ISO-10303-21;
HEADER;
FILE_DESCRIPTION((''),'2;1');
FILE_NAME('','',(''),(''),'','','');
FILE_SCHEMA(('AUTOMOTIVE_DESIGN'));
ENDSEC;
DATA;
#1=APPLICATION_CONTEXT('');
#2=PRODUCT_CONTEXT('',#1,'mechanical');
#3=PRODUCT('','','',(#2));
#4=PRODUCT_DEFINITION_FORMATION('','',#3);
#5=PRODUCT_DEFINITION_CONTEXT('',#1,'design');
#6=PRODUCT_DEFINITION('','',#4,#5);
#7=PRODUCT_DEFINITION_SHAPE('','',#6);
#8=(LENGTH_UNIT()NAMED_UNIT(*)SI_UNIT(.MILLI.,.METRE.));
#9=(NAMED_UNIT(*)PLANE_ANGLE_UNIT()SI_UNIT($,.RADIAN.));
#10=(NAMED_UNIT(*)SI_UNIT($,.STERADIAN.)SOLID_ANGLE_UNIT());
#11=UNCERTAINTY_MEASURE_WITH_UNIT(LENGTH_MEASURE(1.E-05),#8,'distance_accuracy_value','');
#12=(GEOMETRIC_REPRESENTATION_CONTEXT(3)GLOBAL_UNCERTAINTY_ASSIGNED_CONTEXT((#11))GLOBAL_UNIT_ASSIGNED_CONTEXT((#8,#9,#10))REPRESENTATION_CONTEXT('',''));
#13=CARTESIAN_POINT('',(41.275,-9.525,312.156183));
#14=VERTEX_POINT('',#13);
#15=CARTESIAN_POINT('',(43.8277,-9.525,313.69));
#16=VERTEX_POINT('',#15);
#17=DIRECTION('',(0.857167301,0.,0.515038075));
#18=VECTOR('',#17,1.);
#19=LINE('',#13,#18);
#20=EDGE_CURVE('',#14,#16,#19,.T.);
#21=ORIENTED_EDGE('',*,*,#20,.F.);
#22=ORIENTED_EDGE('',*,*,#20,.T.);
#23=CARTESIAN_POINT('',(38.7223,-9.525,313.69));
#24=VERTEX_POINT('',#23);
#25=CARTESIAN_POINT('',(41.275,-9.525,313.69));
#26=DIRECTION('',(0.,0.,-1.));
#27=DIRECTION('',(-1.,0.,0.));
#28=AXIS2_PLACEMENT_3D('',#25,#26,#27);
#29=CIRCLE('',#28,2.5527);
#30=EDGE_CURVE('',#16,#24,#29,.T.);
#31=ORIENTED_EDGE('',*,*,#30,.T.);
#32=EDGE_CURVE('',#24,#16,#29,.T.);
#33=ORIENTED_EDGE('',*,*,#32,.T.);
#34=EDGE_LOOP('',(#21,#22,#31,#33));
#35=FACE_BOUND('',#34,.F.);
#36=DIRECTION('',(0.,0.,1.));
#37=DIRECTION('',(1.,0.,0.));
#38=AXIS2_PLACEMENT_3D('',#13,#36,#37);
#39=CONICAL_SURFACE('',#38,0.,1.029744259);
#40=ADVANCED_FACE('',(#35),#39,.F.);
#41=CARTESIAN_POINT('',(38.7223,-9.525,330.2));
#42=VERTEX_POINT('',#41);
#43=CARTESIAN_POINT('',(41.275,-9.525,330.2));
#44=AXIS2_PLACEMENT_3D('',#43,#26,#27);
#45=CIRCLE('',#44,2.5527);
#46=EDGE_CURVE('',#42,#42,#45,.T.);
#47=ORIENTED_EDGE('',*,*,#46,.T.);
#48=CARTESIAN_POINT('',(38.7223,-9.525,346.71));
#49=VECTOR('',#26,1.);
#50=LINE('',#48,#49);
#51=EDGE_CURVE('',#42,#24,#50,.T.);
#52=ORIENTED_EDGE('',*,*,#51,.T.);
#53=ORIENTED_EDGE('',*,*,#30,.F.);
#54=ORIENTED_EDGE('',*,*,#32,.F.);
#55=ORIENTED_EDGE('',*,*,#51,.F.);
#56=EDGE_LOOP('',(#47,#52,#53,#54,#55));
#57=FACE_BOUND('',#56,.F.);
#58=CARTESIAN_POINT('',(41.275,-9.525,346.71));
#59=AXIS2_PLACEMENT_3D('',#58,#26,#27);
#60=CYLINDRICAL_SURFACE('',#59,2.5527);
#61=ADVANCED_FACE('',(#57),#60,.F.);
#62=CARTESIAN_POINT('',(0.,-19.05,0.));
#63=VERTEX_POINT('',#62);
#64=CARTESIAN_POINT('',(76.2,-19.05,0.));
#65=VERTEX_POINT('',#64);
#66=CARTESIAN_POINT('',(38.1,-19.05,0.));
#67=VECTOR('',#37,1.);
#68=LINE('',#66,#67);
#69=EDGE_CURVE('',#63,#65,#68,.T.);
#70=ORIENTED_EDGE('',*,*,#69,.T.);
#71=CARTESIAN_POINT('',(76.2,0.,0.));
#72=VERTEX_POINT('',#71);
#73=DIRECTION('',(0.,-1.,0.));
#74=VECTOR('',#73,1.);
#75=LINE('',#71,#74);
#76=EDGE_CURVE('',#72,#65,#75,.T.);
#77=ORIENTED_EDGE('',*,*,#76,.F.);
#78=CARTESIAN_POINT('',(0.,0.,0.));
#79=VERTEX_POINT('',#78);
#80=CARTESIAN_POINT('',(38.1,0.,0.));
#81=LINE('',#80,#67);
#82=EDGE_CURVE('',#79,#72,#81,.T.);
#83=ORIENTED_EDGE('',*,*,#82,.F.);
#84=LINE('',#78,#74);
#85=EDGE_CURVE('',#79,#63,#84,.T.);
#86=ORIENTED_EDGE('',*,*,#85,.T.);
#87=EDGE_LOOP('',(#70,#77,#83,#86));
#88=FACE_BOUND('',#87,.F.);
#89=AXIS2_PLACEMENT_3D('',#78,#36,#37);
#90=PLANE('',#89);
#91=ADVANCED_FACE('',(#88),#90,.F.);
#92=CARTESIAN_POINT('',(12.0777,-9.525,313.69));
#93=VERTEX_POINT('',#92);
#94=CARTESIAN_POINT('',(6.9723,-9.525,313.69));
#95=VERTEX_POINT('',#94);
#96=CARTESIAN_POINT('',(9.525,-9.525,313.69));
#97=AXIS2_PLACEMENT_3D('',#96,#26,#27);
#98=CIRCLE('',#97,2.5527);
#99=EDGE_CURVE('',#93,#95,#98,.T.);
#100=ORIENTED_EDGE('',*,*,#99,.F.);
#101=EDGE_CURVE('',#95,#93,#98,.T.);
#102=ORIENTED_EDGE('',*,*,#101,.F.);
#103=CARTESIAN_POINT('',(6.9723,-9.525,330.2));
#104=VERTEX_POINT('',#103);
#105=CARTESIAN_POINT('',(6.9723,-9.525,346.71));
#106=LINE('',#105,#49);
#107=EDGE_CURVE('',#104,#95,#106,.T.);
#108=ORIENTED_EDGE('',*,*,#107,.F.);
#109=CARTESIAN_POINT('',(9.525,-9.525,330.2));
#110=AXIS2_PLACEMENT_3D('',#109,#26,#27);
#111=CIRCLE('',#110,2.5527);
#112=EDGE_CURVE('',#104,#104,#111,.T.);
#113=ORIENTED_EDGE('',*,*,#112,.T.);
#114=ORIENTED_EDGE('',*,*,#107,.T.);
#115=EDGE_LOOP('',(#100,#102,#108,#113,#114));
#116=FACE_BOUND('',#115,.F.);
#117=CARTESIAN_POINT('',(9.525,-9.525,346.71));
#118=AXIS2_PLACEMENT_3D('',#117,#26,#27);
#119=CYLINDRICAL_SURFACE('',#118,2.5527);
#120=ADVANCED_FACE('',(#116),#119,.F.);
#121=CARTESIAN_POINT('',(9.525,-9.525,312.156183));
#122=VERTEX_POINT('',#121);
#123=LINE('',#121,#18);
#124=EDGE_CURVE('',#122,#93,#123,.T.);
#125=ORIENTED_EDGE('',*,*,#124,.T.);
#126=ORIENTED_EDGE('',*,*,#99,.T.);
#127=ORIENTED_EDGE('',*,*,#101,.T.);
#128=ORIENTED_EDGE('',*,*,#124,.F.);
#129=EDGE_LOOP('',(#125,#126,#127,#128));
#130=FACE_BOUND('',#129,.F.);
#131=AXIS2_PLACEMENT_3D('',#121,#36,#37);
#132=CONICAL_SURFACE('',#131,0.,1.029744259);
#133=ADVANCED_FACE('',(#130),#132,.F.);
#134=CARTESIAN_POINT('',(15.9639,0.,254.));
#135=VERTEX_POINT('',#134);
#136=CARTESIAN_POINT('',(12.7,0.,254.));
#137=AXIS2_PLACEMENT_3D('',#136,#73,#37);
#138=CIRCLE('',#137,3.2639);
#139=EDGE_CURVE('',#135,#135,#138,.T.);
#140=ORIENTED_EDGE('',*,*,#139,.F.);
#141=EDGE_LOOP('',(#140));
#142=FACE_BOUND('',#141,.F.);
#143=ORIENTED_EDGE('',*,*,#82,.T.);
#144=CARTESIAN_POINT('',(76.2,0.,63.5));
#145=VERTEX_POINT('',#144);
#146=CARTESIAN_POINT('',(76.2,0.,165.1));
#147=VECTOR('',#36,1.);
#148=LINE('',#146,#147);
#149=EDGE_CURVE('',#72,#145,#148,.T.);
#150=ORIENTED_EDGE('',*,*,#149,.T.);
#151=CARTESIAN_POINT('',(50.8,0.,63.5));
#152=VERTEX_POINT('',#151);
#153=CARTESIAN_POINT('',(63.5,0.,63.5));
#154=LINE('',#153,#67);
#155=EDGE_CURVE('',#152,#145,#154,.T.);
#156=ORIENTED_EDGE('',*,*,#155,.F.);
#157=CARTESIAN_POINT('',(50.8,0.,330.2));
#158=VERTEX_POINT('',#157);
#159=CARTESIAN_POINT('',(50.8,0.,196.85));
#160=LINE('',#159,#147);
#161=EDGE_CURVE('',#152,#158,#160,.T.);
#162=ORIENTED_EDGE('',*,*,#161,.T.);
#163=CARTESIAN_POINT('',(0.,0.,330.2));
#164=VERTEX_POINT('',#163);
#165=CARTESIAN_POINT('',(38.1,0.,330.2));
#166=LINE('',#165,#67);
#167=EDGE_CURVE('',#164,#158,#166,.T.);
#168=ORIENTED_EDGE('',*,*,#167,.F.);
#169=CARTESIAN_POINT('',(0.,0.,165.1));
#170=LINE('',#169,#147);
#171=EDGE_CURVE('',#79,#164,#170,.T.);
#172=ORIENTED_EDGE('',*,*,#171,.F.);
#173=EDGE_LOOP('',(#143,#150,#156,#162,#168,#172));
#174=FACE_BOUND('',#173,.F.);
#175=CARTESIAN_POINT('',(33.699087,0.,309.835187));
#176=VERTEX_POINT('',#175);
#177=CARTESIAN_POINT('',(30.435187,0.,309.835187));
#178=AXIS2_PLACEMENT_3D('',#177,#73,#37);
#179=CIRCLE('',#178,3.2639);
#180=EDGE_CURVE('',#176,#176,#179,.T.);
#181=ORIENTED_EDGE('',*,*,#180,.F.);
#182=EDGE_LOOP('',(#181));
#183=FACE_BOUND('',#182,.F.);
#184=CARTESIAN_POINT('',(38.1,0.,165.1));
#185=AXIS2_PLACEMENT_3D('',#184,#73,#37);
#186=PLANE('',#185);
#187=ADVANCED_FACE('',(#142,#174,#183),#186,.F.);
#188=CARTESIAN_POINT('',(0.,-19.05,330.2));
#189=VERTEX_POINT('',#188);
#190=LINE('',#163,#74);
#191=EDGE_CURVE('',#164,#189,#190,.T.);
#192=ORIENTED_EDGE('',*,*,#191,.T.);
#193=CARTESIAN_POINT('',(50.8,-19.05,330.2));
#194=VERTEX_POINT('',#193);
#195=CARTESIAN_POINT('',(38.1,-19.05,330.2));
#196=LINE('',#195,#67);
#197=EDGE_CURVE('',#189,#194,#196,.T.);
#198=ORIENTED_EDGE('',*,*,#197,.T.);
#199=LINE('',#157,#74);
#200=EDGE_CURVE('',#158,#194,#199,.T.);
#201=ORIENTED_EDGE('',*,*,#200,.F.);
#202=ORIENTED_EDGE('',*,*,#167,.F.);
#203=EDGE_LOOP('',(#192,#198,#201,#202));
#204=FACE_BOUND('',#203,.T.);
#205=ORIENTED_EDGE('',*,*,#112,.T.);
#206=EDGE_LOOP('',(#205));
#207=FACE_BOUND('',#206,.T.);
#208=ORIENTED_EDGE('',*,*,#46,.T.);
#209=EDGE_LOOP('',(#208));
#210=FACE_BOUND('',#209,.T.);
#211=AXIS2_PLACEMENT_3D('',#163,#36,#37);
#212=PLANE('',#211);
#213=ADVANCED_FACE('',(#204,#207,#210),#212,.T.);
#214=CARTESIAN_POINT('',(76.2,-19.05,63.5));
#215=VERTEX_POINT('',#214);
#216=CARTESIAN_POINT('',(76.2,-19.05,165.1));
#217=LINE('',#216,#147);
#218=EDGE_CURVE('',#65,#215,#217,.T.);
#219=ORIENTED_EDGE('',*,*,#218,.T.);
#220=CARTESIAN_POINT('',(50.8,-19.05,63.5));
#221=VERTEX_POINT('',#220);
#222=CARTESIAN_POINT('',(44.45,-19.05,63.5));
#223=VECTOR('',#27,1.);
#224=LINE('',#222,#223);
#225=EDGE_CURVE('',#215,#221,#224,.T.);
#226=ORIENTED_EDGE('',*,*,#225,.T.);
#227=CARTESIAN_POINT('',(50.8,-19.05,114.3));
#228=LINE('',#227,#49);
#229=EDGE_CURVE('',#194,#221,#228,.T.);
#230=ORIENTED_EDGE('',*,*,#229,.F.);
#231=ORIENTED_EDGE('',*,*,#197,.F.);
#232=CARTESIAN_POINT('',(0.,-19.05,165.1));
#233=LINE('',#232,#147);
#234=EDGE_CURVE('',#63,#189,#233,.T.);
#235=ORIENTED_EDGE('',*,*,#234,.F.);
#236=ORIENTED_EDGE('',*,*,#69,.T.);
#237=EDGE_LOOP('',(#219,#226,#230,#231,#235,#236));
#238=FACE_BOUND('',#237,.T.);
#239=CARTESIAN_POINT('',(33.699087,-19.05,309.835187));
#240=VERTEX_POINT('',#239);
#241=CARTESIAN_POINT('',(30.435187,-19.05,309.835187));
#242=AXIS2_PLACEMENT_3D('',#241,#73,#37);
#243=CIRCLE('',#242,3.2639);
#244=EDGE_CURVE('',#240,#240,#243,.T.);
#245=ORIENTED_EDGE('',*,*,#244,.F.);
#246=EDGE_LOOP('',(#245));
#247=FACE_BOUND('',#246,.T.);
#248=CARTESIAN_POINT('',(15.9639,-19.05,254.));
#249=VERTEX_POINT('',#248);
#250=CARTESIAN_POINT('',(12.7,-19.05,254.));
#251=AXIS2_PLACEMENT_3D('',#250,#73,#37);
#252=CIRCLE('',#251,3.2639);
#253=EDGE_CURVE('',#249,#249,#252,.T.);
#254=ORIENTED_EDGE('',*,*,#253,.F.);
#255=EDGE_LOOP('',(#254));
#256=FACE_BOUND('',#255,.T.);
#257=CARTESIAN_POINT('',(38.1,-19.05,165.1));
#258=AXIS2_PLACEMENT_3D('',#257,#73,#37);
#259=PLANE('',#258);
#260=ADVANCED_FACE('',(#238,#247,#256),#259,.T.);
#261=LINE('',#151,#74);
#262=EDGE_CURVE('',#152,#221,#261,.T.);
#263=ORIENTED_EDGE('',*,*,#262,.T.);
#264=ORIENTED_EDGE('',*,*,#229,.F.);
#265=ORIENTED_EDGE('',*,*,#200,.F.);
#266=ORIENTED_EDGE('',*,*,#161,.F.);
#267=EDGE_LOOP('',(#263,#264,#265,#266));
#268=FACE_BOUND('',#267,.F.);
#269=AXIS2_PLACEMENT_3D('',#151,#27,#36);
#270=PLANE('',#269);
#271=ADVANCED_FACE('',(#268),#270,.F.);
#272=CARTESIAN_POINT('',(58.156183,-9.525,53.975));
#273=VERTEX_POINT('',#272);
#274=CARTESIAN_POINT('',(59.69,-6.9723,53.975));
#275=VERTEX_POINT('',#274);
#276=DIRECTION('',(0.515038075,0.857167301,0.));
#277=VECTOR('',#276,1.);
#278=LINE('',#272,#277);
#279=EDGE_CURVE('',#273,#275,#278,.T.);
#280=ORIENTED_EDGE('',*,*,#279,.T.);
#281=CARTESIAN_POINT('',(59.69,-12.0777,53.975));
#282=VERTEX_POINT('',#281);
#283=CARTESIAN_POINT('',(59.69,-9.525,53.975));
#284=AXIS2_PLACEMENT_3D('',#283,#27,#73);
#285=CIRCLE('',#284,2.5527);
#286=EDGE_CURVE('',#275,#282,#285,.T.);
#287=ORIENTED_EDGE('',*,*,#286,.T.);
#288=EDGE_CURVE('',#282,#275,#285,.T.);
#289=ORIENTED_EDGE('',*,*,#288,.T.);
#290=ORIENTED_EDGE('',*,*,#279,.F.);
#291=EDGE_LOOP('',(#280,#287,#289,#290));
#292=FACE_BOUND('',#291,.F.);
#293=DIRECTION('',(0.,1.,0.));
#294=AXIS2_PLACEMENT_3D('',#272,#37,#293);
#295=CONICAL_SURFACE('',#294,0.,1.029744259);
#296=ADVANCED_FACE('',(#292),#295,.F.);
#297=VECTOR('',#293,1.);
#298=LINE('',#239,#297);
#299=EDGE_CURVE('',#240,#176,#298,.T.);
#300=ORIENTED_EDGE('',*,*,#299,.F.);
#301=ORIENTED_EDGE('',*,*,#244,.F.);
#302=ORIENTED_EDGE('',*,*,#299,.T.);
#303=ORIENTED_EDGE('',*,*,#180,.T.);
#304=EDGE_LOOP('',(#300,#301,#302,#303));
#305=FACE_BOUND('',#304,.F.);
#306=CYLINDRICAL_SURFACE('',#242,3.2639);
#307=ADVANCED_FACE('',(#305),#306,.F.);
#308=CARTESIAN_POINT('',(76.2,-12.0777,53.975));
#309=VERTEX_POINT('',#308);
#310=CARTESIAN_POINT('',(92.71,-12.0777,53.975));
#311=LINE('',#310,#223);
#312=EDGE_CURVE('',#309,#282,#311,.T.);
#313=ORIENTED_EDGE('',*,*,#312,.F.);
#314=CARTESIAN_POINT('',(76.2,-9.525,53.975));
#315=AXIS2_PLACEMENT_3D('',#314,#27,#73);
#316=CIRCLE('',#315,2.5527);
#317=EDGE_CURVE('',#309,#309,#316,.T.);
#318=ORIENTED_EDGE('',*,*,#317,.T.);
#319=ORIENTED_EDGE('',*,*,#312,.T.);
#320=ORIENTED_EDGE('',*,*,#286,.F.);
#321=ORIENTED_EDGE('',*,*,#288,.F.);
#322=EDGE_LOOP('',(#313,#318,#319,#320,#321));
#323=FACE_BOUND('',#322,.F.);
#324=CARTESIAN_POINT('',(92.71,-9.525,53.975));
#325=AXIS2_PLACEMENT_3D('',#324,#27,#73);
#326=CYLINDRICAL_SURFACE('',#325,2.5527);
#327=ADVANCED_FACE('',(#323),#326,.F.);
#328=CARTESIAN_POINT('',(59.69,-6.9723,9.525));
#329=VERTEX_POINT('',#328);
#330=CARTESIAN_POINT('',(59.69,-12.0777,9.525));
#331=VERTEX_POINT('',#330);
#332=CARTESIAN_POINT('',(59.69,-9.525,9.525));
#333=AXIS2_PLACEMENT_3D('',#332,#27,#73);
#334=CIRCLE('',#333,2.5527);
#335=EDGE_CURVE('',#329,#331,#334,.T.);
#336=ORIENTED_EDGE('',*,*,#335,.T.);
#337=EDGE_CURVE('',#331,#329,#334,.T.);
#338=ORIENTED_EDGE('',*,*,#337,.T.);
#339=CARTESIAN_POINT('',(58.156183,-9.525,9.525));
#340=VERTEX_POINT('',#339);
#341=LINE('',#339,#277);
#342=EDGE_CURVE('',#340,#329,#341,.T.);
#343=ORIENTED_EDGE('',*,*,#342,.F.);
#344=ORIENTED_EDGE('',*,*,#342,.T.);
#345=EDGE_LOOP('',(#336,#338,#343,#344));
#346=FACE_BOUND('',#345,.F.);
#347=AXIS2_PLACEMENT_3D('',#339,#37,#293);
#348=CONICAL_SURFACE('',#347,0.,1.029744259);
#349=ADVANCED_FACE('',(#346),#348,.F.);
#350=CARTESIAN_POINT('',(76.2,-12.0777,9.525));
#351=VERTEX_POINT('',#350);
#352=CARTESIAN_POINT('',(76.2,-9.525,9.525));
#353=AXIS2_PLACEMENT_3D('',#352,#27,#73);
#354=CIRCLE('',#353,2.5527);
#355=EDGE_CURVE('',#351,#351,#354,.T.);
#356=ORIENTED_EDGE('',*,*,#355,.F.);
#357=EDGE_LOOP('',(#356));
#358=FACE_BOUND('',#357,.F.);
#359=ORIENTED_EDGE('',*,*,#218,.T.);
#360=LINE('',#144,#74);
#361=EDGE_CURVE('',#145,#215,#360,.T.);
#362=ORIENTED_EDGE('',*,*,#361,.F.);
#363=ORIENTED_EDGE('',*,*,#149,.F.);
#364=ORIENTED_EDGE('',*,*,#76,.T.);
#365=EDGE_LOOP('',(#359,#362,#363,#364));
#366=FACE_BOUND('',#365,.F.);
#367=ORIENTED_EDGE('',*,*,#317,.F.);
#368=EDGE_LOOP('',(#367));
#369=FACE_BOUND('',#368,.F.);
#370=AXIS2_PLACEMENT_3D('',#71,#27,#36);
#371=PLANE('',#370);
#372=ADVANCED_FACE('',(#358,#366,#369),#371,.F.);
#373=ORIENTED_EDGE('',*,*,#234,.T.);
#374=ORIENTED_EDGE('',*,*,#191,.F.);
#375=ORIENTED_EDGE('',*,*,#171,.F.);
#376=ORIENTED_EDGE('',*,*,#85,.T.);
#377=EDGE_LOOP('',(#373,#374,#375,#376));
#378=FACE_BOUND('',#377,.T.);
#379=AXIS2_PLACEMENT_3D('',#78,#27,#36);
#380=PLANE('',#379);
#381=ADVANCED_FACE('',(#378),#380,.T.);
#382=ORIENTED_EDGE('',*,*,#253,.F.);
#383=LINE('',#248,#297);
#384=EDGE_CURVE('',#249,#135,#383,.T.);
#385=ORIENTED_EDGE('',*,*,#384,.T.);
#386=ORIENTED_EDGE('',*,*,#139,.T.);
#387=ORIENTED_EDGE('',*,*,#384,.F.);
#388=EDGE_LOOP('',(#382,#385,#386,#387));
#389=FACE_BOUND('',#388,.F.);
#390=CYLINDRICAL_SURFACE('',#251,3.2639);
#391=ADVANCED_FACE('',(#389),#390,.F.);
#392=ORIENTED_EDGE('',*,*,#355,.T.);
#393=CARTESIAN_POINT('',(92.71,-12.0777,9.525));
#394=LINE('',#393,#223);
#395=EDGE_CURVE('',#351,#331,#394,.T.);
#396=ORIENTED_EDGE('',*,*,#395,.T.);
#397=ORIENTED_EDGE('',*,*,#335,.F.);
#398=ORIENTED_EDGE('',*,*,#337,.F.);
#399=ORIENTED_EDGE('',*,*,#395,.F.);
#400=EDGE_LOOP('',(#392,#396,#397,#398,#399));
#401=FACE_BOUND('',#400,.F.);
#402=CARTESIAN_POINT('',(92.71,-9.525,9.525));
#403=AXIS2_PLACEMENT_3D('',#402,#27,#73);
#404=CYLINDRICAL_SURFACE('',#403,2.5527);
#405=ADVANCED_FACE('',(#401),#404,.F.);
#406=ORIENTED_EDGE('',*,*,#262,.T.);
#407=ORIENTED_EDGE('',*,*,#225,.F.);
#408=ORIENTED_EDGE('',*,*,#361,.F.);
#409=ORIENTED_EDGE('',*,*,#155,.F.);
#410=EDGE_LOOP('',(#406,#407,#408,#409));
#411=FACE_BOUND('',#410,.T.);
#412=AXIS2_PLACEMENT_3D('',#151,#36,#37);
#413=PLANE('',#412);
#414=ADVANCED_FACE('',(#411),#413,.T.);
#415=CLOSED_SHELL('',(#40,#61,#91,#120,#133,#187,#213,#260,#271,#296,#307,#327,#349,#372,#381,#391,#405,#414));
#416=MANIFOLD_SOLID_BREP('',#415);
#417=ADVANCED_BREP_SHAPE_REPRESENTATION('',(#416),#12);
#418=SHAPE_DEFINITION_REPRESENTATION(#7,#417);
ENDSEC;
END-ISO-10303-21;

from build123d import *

# Parameters (mm, degrees)
F0_W      = 76.2
F0_H      = 330.2
F1_DEPTH  = 19.05
F2_W      = 25.4
F2_H      = 266.7
F3_DEPTH  = 19.051
F4_R      = 3.2639
F5_DEPTH  = 19.051
F6_R      = 3.2639
F7_DEPTH  = 19.051
F9_D      = 5.1054
F9_DEPTH  = 16.51
F9_TIP    = 1.5338169022
F11_D     = 5.1054
F11_DEPTH = 16.51
F11_TIP   = 1.5338169022


with BuildPart() as f1:
    # F0 (on Front) → F1 (new body)
    with BuildSketch(Plane.XZ):
        with Locations((38.1, 165.1)):
            Rectangle(F0_W, F0_H)
    extrude(amount=F1_DEPTH)

    # F2 (on face) → F3 (cut, through all)
    with BuildSketch(Plane.XZ):
        with Locations((63.5, 196.85)):
            Rectangle(F2_W, F2_H)
    extrude(amount=F3_DEPTH, mode=Mode.SUBTRACT)

    # F4 (on face) → F5 (cut, through all)
    with BuildSketch(Plane.XZ.offset(19.05)):
        with Locations((12.7, 254)):
            Circle(F4_R)
    extrude(amount=-F5_DEPTH, mode=Mode.SUBTRACT)

    # F6 (on face) → F7 (cut, through all)
    with BuildSketch(Plane.XZ.offset(19.05)):
        with Locations((30.4351865955, 309.8351865955)):
            Circle(F6_R)
    extrude(amount=-F7_DEPTH, mode=Mode.SUBTRACT)

    # F9
    with Locations(Plane.XY.offset(330.2)):
        with Locations((9.525, -9.525), (41.275, -9.525)):
            Hole(F9_D / 2, depth=F9_DEPTH)
            with Locations((0, 0, -(F9_DEPTH + F9_TIP / 2))):  # 118° drill point
                Cone(0, F9_D / 2, F9_TIP, mode=Mode.SUBTRACT)

    # F11
    with Locations(Plane.YZ.offset(76.2)):
        with Locations((-9.525, 53.975), (-9.525, 9.525)):
            Hole(F11_D / 2, depth=F11_DEPTH)
            with Locations((0, 0, -(F11_DEPTH + F11_TIP / 2))):  # 118° drill point
                Cone(0, F11_D / 2, F11_TIP, mode=Mode.SUBTRACT)


solid = f1.part
